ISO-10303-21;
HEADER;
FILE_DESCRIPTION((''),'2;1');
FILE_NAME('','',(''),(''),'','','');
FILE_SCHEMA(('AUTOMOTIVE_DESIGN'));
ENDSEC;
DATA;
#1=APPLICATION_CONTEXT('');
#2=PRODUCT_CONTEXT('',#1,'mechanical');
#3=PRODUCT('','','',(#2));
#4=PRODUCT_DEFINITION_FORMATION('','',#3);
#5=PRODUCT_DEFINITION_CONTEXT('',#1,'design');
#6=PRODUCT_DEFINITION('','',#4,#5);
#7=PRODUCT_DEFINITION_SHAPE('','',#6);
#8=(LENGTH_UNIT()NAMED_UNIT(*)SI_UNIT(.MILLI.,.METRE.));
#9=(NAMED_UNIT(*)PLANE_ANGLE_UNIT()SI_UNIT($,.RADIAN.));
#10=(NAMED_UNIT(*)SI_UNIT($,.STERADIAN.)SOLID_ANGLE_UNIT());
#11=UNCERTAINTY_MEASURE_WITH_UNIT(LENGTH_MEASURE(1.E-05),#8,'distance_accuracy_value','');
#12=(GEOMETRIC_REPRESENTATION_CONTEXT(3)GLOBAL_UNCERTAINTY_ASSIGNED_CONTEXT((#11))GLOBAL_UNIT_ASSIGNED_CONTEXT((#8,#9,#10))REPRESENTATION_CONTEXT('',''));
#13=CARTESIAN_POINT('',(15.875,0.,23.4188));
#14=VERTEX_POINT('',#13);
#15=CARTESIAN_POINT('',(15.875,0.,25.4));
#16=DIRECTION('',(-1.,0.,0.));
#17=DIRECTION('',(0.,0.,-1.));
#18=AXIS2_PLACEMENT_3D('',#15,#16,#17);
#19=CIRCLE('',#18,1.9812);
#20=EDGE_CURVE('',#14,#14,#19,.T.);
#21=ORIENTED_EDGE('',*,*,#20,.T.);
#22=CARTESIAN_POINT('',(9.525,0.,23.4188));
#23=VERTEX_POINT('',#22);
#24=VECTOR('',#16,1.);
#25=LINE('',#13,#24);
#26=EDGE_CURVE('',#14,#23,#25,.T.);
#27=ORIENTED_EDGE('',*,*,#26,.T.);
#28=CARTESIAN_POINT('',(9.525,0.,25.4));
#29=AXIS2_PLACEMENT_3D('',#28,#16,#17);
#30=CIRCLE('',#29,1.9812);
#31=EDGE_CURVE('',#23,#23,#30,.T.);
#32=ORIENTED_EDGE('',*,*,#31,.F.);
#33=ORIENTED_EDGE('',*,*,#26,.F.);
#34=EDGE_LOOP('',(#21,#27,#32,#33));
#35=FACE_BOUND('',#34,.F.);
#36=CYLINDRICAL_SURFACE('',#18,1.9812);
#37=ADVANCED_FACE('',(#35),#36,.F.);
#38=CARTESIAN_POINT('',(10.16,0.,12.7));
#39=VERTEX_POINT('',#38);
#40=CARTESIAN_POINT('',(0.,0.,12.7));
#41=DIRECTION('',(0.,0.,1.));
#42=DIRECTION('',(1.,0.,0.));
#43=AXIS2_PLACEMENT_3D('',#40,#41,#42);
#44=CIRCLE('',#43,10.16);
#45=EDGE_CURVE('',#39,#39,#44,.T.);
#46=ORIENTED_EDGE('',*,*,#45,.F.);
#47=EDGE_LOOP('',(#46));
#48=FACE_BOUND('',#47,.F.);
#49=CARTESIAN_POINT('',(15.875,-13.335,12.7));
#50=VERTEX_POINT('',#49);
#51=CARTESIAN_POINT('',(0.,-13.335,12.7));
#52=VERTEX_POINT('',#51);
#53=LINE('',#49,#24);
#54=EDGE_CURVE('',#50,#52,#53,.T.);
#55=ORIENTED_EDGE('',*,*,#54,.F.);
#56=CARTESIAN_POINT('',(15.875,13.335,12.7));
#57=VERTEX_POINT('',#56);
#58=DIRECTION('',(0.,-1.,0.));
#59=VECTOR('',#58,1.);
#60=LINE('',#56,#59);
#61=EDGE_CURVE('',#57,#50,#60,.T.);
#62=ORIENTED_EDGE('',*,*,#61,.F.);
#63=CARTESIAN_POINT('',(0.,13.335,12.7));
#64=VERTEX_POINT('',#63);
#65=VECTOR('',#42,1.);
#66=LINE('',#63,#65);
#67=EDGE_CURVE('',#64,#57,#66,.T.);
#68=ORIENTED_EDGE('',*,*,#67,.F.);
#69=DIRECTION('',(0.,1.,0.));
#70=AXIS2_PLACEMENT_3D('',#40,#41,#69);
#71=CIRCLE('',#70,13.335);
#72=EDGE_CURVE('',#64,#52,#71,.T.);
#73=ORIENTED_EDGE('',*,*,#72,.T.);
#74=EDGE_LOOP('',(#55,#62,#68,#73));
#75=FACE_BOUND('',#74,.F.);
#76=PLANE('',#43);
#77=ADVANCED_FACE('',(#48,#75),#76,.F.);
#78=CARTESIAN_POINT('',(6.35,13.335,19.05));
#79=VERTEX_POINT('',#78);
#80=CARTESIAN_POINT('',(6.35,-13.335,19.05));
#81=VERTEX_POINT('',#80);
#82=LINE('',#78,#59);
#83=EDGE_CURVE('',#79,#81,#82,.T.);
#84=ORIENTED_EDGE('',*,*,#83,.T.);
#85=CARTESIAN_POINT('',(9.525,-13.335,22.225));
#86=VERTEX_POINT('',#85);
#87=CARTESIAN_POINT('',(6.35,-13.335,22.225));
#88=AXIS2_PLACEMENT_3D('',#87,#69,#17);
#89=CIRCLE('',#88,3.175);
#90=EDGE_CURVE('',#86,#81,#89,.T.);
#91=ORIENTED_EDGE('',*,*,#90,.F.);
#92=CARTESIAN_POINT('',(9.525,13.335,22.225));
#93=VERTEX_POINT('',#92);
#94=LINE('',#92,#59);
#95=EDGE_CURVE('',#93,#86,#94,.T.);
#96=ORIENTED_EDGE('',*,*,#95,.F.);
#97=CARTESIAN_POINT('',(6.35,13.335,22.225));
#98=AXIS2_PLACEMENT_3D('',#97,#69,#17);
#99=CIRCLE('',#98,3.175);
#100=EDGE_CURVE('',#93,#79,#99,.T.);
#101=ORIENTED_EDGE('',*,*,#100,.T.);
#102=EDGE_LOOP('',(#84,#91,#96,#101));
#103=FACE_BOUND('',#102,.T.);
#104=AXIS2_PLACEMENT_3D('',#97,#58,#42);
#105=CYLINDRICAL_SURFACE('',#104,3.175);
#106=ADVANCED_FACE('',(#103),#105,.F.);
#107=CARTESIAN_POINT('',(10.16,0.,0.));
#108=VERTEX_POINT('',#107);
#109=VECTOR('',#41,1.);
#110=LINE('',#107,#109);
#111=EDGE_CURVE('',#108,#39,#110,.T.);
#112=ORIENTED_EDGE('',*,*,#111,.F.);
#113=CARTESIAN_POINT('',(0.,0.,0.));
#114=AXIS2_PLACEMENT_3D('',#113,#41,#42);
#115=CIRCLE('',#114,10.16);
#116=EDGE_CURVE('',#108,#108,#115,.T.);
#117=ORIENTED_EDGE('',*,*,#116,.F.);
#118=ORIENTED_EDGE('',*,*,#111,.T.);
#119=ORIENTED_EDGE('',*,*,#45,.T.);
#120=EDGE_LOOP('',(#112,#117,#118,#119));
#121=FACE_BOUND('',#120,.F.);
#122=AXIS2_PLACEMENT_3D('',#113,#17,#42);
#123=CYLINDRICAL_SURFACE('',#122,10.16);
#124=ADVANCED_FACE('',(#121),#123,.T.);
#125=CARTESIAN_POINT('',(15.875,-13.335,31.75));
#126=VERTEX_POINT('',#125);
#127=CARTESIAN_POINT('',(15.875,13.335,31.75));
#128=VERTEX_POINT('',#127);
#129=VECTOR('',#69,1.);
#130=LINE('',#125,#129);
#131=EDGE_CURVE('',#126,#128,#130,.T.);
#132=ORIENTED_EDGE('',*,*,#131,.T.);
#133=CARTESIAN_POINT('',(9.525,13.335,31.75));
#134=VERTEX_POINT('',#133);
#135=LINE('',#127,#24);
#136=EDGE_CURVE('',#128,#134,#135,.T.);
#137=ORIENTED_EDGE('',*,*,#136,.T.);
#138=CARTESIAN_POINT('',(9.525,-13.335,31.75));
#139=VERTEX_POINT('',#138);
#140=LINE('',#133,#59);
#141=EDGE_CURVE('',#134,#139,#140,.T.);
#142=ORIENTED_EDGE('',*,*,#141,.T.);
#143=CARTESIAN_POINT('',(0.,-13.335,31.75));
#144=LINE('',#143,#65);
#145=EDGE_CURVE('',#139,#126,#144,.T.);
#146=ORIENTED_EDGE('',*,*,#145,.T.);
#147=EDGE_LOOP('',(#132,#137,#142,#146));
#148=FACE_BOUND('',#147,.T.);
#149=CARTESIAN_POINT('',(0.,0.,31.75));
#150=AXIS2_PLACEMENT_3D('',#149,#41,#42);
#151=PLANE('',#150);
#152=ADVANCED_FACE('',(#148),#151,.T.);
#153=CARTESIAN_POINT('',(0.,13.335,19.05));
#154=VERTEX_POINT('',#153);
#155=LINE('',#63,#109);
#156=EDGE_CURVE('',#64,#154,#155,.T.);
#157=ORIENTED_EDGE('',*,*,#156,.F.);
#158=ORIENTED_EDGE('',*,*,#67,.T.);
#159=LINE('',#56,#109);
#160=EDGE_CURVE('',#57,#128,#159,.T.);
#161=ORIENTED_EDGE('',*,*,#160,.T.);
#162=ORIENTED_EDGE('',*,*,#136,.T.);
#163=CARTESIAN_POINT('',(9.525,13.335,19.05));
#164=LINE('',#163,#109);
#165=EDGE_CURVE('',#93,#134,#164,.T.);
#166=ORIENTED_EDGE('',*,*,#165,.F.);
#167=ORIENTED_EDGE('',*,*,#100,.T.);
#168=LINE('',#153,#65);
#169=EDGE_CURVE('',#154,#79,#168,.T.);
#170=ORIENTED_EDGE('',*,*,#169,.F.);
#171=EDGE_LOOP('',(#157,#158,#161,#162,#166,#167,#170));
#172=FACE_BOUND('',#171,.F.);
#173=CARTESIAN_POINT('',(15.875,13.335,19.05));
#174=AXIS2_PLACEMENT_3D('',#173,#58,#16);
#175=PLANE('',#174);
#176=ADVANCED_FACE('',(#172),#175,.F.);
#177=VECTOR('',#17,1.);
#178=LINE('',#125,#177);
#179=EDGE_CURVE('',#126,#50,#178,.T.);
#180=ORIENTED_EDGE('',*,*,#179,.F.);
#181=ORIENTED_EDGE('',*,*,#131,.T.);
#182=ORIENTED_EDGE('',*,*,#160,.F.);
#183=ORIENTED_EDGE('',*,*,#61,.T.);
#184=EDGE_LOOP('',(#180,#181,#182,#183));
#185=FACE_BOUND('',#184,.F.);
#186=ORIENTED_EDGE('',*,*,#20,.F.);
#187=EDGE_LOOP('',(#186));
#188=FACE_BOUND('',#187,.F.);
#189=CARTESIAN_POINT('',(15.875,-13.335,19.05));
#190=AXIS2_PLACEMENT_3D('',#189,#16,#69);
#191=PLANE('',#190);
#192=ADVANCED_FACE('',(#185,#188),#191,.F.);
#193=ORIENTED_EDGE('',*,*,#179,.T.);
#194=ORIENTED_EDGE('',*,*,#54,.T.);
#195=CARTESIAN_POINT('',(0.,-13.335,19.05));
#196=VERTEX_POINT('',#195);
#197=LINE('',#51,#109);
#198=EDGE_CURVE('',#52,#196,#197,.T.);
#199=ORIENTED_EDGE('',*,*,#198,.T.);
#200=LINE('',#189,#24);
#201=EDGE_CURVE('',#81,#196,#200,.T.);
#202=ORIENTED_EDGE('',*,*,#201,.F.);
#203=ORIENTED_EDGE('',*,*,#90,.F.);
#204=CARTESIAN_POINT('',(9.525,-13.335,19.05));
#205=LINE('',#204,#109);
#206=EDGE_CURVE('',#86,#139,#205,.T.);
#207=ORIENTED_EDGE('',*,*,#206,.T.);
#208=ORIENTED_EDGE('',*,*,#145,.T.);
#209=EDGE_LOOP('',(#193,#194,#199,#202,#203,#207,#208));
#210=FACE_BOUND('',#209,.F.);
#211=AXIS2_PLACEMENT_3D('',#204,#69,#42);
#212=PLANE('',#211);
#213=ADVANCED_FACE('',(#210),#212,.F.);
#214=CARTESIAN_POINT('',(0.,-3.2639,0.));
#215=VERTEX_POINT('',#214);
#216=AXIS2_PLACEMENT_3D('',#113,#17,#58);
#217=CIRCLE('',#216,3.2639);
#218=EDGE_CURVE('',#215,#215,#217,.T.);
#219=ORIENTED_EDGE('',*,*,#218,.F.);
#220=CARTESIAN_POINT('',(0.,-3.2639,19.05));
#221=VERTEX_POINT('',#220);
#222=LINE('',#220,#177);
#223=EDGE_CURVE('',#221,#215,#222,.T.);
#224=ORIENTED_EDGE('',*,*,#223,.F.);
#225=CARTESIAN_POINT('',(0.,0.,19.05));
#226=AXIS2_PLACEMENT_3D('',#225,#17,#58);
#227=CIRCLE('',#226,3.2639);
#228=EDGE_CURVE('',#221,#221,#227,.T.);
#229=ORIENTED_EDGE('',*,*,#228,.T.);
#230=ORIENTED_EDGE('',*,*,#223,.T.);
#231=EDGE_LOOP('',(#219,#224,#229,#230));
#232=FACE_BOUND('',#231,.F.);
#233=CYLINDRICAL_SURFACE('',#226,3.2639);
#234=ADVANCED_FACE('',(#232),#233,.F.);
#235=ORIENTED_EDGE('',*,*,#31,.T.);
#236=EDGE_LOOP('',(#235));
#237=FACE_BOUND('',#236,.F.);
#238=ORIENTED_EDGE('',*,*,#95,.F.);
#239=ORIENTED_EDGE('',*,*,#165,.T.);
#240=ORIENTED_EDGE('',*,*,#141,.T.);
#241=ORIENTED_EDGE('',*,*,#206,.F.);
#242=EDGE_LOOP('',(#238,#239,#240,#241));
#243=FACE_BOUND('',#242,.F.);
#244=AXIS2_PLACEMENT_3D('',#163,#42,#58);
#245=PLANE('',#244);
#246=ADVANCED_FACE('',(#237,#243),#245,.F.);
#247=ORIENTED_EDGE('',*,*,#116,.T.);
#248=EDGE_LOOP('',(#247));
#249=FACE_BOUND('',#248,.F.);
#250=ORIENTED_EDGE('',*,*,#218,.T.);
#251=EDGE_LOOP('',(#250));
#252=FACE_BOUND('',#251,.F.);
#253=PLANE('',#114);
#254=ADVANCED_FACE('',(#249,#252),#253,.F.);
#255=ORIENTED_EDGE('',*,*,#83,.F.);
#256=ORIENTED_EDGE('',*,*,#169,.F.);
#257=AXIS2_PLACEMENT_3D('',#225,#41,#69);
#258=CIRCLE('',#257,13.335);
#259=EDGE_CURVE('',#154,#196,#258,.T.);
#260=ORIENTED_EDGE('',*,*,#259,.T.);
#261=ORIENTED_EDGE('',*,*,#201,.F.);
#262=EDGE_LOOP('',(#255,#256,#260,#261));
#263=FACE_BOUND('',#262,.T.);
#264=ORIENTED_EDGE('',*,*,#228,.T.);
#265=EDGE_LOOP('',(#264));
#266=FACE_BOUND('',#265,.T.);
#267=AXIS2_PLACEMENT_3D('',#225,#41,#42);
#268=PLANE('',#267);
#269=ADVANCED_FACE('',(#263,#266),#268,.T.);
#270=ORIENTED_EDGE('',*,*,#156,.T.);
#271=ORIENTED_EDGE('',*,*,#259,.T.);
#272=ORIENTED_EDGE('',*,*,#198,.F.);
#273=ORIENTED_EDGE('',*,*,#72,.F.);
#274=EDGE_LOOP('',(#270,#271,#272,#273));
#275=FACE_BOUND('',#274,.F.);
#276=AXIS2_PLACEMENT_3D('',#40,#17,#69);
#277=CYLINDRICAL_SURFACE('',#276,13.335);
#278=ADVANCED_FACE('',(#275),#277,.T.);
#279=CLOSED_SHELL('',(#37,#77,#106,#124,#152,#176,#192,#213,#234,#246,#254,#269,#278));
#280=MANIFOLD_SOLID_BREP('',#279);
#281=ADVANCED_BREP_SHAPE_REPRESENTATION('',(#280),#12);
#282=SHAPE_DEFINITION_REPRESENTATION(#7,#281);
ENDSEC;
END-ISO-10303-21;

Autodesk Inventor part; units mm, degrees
ref_plane "YZ Plane" through (0, 0, 0) normal (1, 0, 0) x (0, 1, 0)
ref_plane "XZ Plane" through (0, 0, 0) normal (0, 1, 0) x (-1, 0, 0)
ref_plane "XY Plane" through (0, 0, 0) normal (0, 0, 1) x (1, 0, 0)
sketch "Sketch1" plane through (0, 0, 0) normal (0, 0, 1) x (1, 0, 0)
  circle A0 centre (0, 0) radius 10.16
  circle A1 centre (0, 0) radius 8.7376
  dimension "d0" = 20.32
  dimension "d6" = 17.4752
extrude "Extrusion1" add sketch "Sketch1" along normal blind 12.7 contours A0 | A1
sketch "Sketch2" plane through (0, 0, 12.7) normal (0, 0, 1) x (1, 0, 0)
  circle A0 centre (0, 0) radius 10.16 projected
  circle A1 centre (0, 0) radius 13.335 construction
  line L0 (0, 13.335) -> (15.875, 13.335)
  line L1 (15.875, 13.335) -> (15.875, -13.335)
  line L2 (15.875, -13.335) -> (0, -13.335)
  arc A2 (0, 13.335) -> (0, -13.335) centre (0, 0) ccw
  point P0 (15.875, 0)
  dimension "d3" = 3.175
  dimension "d14" = 15.875
extrude "Extrusion2" add sketch "Sketch2" along normal blind 6.35 contours A0 | L0 L1 L2 A2
sketch "Sketch4" plane through (0, 0, 19.05) normal (0, 0, 1) x (1, 0, 0)
  arc A0 (0, 13.335) -> (0, -13.335) centre (0, 0) ccw projected
hole "Hole2" at (0, 0, 19.05) direction (0, 0, -1) diameter 6.5278 end through all clearance for "Flat Head Machine Screw (82)" size "1/4" standard "Ansi Unified Screw Threads"
sketch "Sketch5" plane through (0, 0, 19.05) normal (0, 0, 1) x (1, 0, 0)
  line L0 (15.875, 13.335) -> (0, 13.335) projected
  line L1 (0, -13.335) -> (15.875, -13.335) projected
  line L2 (15.875, 13.335) -> (9.525, 13.335)
  line L3 (9.525, 13.335) -> (9.525, -13.335)
  line L4 (9.525, -13.335) -> (15.875, -13.335)
  line L5 (15.875, -13.335) -> (15.875, 13.335)
  point P0 (0, 0)
  dimension "d22" = 6.35
extrude "Extrusion3" add sketch "Sketch5" along normal blind 12.7
fillet "Fillet1" radius 3.175 1 edges at (9.525, 0, 19.05)
sketch "Sketch6" plane through (15.875, -13.335, 12.7) normal (1, 0, 0) x (0, 0, -1)
  line L0 (0, 26.67) -> (-19.05, 26.67) construction
  line L1 (-19.05, 0) -> (-19.05, 26.67) construction
  point P0 (12.7, 13.335)
  point P1 (-12.7, 13.335)
  point P2 (-9.525, 26.67)
  point P3 (-19.05, 13.335)
  dimension "d35" = 6.35
hole "Hole3" at (15.875, 0, 25.4) direction (-1, 0, 0) diameter 3.9624 end through all thread size "10-32 UNF" class "2B" standard "ANSI Unified Screw Threads"
properties part number "EL2-031" material "ABS Plastic"
